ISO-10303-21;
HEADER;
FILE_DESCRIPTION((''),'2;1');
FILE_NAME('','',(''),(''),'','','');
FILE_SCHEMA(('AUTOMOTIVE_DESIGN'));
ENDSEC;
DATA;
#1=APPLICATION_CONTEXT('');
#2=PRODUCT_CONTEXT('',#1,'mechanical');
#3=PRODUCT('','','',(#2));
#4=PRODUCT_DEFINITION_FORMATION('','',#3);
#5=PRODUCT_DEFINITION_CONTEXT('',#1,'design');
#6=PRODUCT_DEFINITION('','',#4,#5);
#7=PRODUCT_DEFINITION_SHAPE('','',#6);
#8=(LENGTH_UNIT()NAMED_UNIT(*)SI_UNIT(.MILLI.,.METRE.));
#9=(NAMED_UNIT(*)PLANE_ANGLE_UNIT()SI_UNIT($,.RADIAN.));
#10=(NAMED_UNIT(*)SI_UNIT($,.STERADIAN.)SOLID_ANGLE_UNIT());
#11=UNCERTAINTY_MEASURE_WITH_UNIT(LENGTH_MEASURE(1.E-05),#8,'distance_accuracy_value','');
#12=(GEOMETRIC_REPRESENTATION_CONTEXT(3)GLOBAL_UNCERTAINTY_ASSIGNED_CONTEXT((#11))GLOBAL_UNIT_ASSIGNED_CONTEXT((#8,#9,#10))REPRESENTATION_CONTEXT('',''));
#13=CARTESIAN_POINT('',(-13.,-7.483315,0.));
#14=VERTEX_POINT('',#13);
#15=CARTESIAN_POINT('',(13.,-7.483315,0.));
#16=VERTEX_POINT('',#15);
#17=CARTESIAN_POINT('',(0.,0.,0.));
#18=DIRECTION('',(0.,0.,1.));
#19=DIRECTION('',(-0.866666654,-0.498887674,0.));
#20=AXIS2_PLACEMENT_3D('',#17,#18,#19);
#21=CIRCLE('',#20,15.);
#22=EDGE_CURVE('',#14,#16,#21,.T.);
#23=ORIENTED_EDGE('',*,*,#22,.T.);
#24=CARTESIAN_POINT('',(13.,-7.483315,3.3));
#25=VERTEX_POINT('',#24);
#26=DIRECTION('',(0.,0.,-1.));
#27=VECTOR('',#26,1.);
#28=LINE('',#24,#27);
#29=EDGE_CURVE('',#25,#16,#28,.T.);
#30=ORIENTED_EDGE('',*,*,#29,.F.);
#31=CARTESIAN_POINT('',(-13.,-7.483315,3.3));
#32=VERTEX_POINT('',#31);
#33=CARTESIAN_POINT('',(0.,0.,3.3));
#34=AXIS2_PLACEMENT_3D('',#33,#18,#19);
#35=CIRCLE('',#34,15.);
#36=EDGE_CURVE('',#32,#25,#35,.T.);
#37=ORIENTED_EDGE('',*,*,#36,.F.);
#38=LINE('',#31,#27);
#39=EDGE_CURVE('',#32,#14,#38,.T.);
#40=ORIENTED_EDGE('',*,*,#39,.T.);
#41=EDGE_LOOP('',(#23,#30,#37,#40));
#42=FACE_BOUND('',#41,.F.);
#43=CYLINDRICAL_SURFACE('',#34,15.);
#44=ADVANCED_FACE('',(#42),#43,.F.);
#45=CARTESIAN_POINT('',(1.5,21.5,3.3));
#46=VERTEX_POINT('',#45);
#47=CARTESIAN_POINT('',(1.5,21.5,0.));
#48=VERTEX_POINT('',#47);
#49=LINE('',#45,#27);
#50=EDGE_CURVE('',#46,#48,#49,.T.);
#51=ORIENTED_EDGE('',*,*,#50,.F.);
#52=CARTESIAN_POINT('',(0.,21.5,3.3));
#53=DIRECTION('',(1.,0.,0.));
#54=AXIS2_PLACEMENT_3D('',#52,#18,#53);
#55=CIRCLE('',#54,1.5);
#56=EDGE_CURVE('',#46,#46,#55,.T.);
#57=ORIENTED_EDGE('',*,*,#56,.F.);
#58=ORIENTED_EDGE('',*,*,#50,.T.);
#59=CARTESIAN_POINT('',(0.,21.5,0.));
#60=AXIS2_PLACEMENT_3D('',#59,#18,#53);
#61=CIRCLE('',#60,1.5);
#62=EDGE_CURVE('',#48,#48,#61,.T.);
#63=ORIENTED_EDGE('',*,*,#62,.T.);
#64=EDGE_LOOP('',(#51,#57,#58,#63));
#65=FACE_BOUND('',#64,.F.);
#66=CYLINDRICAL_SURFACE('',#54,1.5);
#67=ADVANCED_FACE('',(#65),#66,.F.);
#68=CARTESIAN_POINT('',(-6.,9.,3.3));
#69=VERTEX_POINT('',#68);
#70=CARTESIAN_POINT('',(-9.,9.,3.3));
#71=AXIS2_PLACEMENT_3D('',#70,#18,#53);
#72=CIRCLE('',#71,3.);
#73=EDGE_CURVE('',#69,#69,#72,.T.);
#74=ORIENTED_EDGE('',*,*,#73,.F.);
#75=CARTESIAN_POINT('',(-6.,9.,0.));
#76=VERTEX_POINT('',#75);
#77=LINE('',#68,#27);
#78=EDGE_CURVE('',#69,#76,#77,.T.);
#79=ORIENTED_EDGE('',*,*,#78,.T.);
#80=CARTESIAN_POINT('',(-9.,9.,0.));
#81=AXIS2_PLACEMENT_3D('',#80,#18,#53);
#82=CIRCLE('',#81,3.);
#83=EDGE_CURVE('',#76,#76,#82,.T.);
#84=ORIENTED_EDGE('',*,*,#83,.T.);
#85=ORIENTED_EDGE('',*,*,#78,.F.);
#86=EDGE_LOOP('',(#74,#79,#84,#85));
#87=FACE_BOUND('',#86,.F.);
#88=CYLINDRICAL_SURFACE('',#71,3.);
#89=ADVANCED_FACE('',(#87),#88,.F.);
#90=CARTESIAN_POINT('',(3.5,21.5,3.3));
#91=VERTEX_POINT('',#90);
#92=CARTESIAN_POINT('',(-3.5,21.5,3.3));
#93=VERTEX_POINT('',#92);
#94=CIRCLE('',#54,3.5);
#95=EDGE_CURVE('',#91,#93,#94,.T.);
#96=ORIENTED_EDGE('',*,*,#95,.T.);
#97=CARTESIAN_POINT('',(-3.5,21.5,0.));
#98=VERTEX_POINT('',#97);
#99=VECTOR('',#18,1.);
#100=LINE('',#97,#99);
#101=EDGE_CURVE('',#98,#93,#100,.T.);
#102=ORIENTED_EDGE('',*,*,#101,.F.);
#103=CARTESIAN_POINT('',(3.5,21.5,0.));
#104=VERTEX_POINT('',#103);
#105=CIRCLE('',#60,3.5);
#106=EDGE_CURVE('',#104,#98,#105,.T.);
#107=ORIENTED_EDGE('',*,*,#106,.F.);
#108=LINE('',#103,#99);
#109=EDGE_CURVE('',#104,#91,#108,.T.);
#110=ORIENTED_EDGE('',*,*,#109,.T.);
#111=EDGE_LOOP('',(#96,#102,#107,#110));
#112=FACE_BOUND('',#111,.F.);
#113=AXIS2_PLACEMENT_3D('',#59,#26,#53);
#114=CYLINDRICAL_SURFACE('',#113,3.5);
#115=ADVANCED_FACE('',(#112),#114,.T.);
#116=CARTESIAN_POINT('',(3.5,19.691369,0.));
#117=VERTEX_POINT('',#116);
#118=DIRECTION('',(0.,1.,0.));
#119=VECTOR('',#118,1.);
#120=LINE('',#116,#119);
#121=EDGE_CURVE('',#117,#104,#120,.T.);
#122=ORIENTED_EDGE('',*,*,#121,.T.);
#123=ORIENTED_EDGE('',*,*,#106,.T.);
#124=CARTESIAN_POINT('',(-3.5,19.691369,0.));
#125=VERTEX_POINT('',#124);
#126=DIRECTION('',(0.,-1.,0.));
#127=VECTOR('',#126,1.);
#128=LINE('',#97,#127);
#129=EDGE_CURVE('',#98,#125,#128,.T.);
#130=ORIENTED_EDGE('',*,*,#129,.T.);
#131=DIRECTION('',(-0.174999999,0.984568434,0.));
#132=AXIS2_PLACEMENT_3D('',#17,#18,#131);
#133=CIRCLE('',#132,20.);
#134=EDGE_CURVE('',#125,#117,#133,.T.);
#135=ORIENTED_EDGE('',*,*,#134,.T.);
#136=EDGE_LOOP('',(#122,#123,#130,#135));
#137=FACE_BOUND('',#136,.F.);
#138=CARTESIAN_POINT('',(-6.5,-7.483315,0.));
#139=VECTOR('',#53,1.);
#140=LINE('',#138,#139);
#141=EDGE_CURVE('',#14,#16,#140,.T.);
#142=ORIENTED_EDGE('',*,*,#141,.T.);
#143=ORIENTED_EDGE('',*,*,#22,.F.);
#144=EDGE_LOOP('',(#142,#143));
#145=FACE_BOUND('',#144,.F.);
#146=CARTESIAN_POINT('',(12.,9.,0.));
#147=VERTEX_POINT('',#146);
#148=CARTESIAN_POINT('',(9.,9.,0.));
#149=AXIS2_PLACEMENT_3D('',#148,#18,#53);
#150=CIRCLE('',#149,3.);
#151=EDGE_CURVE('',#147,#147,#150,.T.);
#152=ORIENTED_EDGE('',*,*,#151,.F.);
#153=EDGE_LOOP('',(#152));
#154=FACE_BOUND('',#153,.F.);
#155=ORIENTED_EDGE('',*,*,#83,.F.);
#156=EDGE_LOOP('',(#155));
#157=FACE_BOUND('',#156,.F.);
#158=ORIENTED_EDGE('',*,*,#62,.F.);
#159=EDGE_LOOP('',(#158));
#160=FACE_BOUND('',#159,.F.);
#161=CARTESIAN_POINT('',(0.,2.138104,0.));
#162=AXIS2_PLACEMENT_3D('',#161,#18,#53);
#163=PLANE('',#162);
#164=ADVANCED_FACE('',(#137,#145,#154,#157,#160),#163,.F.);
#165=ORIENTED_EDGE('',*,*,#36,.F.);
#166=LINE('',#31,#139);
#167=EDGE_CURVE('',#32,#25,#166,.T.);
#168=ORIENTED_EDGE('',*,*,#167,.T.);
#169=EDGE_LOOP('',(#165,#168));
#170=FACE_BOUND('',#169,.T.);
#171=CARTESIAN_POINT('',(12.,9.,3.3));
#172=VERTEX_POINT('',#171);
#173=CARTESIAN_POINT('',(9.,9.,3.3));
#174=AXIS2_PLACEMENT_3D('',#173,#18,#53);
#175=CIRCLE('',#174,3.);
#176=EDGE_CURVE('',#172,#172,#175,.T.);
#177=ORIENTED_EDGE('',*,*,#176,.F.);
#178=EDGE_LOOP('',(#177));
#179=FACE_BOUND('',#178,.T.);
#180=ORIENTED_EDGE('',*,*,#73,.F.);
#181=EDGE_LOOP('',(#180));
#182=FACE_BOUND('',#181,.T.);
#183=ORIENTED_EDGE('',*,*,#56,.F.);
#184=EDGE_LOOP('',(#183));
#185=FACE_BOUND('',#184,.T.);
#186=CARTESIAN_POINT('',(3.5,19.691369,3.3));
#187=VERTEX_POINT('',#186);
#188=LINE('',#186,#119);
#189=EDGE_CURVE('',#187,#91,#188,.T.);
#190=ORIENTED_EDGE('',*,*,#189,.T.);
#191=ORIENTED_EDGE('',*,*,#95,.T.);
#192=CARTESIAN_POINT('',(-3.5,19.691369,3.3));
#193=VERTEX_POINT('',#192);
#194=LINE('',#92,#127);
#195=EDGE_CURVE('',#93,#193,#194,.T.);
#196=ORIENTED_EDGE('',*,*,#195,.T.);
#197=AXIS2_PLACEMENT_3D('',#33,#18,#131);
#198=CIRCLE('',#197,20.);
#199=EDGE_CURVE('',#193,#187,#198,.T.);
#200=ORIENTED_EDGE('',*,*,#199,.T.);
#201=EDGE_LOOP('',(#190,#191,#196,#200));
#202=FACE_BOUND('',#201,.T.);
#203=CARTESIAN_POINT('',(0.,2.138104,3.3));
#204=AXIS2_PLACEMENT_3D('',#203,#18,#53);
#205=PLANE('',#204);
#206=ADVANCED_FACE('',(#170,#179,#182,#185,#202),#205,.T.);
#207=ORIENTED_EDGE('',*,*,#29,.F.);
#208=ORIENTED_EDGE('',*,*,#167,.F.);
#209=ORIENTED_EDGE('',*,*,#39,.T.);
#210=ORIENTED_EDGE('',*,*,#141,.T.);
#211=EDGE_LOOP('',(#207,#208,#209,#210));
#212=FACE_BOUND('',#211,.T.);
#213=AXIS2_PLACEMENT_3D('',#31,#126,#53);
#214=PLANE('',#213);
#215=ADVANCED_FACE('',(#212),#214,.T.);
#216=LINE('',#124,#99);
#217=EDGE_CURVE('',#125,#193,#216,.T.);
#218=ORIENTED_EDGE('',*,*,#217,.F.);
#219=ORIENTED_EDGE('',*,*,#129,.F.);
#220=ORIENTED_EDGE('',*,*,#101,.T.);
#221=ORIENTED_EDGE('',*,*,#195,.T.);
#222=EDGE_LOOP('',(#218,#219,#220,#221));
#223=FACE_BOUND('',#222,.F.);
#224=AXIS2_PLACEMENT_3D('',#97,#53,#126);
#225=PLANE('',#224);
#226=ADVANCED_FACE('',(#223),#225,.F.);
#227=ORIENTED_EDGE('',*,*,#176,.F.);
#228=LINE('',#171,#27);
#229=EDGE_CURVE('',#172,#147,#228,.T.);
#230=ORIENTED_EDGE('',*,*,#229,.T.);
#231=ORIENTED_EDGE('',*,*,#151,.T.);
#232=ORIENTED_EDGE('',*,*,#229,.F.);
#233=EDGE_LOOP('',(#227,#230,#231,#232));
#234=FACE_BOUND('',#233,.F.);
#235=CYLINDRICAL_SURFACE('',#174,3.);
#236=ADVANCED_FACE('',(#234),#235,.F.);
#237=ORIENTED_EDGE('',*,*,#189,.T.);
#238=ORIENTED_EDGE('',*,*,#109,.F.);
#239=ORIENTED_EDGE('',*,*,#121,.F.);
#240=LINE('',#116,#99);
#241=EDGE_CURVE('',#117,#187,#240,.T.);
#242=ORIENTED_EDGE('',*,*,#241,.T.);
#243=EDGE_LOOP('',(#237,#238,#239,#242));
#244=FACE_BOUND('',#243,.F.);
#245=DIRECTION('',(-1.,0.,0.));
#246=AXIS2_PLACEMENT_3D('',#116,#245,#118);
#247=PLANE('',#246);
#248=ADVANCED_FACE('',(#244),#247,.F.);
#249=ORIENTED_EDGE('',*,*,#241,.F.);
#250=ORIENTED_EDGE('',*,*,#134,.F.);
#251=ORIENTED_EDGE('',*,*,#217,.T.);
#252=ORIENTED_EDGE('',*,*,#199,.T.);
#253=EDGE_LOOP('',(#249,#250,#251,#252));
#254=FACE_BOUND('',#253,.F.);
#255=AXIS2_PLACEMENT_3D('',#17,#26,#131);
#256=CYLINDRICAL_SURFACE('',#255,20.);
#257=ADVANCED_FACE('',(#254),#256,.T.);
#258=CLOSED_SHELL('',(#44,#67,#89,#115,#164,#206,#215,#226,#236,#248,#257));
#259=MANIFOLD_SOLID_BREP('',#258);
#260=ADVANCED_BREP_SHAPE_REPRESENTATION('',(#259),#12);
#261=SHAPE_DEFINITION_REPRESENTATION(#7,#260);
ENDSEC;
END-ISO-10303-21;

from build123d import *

# Parameters (mm, degrees)
EXTRUDE_DEPTH   = 3.3
SKETCH001_R     = 1.5
POCKET_DEPTH    = 3.301
SKETCH002_R     = 3
POCKET001_DEPTH = 3.301


with BuildPart() as part:
    # Sketch → Extrude (new body)
    with BuildSketch(Plane.XY):
        with BuildLine():
            ThreePointArc((3.5, 21.5), (0, 25), (-3.5, 21.5))
            Line((-3.5, 21.5), (-3.5, 19.691369))
            ThreePointArc((-3.5, 19.691369), (0, -20), (3.5, 19.691369))
            Line((3.5, 19.691369), (3.5, 21.5))
        make_face()
    extrude(amount=EXTRUDE_DEPTH)

    # Sketch001 (on Face6 of Extrude) → Pocket (cut, through all)
    with BuildSketch(Plane.XY.offset(3.3)):
        with Locations((0, 21.5)):
            Circle(SKETCH001_R)
    extrude(amount=-POCKET_DEPTH, mode=Mode.SUBTRACT)

    # Sketch002 (on Face1 of CopyClone) → Pocket001 (cut, through all)
    with BuildSketch(Plane.XY.offset(3.3)):
        with Locations((-9, 9)):
            Circle(SKETCH002_R)
        with Locations((9, 9)):
            Circle(SKETCH002_R)
        with BuildLine():
            Line((-13, -7.483315), (13, -7.483315))
            ThreePointArc((-13, -7.483315), (0, -15), (13, -7.483315))
        make_face()
    extrude(amount=-POCKET001_DEPTH, mode=Mode.SUBTRACT)


solid = part.part
